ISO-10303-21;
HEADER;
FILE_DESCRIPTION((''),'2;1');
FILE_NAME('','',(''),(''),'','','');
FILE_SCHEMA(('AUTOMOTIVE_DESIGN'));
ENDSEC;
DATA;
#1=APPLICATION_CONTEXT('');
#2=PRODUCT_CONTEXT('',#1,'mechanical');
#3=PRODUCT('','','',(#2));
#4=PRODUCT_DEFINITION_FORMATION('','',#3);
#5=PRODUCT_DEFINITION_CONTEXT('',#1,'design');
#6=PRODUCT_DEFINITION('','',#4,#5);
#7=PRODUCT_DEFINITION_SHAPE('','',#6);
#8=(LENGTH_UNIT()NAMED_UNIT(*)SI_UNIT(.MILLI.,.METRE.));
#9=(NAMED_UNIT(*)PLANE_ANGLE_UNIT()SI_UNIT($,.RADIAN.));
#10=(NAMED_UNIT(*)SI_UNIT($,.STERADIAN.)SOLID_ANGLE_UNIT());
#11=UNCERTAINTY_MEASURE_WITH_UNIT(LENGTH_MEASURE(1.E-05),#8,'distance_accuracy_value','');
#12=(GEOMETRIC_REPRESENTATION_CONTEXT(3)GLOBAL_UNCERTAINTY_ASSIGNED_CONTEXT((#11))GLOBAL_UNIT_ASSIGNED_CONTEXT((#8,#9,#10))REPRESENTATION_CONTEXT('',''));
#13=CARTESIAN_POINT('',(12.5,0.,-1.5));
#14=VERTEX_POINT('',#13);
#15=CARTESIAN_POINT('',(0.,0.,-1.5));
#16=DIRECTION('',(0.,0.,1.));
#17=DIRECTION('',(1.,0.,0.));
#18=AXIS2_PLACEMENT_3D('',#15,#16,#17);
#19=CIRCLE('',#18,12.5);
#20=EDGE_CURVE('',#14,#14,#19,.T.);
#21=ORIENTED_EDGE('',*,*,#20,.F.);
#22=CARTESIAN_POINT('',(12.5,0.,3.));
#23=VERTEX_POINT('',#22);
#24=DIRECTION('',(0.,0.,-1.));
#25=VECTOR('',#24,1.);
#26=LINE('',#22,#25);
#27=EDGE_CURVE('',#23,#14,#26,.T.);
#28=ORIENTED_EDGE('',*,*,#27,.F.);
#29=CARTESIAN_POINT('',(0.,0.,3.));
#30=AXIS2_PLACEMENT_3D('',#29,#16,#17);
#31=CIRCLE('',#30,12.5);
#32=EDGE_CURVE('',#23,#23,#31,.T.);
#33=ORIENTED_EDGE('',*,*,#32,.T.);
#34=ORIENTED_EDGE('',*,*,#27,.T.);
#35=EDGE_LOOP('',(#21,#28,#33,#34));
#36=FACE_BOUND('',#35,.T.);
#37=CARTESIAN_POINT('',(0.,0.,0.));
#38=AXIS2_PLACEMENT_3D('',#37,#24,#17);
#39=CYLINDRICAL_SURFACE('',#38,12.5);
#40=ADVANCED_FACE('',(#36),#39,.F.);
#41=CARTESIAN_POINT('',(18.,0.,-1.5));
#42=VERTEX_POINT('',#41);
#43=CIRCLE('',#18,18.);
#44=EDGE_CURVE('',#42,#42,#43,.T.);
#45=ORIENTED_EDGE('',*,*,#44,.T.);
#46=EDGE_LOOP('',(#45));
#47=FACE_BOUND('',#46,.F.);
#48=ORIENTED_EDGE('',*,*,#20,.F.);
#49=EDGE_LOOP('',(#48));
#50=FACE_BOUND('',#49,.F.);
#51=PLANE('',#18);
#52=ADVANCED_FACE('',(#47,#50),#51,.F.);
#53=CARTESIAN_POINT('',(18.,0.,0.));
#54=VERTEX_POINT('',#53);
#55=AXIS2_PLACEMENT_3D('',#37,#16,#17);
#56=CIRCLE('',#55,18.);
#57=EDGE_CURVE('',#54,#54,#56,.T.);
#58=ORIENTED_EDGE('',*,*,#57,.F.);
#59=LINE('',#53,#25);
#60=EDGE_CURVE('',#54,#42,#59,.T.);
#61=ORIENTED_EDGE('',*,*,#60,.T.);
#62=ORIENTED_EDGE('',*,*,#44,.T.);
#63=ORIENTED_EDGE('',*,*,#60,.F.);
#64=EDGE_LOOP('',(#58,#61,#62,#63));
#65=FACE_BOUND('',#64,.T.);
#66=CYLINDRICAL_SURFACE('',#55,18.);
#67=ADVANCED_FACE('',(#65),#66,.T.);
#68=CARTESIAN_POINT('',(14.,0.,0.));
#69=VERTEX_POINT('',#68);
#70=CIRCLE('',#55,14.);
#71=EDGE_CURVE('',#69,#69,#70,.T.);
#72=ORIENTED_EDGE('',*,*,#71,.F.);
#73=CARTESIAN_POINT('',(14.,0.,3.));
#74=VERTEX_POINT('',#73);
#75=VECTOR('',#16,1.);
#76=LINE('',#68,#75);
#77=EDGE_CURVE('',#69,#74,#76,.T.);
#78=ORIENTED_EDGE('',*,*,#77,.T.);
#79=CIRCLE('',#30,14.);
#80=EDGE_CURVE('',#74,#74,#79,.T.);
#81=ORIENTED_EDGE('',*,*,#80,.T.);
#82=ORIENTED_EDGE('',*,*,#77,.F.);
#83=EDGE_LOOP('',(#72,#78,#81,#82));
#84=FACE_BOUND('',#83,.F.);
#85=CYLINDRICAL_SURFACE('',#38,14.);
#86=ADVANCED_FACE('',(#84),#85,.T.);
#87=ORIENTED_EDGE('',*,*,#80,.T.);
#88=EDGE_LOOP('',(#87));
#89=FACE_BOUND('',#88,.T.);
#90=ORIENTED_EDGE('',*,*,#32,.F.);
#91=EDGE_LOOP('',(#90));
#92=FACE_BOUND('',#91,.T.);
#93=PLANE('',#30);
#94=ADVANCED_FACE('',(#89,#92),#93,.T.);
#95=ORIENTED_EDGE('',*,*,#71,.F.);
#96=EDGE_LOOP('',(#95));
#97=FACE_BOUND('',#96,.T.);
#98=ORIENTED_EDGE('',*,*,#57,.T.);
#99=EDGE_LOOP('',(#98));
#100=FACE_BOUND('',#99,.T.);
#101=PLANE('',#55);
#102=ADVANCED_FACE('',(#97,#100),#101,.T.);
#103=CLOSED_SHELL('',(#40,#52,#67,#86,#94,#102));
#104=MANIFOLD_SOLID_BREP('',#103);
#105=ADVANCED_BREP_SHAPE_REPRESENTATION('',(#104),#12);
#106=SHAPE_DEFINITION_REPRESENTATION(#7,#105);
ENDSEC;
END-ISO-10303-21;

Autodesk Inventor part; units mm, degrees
ref_plane "YZ Plane" through (0, 0, 0) normal (1, 0, 0) x (0, 1, 0)
ref_plane "XZ Plane" through (0, 0, 0) normal (0, 1, 0) x (-1, 0, 0)
ref_plane "XY Plane" through (0, 0, 0) normal (0, 0, 1) x (1, 0, 0)
sketch "スケッチ1" plane through (0, 0, 0) normal (0, 0, 1) x (1, 0, 0)
  circle A0 centre (0, 0) radius 12.5
  circle A1 centre (0, 0) radius 14
  circle A2 centre (0, 0) radius 18
  dimension "d0" = 25
  dimension "d1" = 28
  dimension "d2" = 36
extrude "押し出し1" add sketch "スケッチ1" along normal blind 3 contours A1
extrude "押し出し2" add sketch "スケッチ1" against normal blind 1.5 contours A1 | A2
properties part number "オイレス　内径25　フランジ付き" material "アセタール樹脂、黒"
